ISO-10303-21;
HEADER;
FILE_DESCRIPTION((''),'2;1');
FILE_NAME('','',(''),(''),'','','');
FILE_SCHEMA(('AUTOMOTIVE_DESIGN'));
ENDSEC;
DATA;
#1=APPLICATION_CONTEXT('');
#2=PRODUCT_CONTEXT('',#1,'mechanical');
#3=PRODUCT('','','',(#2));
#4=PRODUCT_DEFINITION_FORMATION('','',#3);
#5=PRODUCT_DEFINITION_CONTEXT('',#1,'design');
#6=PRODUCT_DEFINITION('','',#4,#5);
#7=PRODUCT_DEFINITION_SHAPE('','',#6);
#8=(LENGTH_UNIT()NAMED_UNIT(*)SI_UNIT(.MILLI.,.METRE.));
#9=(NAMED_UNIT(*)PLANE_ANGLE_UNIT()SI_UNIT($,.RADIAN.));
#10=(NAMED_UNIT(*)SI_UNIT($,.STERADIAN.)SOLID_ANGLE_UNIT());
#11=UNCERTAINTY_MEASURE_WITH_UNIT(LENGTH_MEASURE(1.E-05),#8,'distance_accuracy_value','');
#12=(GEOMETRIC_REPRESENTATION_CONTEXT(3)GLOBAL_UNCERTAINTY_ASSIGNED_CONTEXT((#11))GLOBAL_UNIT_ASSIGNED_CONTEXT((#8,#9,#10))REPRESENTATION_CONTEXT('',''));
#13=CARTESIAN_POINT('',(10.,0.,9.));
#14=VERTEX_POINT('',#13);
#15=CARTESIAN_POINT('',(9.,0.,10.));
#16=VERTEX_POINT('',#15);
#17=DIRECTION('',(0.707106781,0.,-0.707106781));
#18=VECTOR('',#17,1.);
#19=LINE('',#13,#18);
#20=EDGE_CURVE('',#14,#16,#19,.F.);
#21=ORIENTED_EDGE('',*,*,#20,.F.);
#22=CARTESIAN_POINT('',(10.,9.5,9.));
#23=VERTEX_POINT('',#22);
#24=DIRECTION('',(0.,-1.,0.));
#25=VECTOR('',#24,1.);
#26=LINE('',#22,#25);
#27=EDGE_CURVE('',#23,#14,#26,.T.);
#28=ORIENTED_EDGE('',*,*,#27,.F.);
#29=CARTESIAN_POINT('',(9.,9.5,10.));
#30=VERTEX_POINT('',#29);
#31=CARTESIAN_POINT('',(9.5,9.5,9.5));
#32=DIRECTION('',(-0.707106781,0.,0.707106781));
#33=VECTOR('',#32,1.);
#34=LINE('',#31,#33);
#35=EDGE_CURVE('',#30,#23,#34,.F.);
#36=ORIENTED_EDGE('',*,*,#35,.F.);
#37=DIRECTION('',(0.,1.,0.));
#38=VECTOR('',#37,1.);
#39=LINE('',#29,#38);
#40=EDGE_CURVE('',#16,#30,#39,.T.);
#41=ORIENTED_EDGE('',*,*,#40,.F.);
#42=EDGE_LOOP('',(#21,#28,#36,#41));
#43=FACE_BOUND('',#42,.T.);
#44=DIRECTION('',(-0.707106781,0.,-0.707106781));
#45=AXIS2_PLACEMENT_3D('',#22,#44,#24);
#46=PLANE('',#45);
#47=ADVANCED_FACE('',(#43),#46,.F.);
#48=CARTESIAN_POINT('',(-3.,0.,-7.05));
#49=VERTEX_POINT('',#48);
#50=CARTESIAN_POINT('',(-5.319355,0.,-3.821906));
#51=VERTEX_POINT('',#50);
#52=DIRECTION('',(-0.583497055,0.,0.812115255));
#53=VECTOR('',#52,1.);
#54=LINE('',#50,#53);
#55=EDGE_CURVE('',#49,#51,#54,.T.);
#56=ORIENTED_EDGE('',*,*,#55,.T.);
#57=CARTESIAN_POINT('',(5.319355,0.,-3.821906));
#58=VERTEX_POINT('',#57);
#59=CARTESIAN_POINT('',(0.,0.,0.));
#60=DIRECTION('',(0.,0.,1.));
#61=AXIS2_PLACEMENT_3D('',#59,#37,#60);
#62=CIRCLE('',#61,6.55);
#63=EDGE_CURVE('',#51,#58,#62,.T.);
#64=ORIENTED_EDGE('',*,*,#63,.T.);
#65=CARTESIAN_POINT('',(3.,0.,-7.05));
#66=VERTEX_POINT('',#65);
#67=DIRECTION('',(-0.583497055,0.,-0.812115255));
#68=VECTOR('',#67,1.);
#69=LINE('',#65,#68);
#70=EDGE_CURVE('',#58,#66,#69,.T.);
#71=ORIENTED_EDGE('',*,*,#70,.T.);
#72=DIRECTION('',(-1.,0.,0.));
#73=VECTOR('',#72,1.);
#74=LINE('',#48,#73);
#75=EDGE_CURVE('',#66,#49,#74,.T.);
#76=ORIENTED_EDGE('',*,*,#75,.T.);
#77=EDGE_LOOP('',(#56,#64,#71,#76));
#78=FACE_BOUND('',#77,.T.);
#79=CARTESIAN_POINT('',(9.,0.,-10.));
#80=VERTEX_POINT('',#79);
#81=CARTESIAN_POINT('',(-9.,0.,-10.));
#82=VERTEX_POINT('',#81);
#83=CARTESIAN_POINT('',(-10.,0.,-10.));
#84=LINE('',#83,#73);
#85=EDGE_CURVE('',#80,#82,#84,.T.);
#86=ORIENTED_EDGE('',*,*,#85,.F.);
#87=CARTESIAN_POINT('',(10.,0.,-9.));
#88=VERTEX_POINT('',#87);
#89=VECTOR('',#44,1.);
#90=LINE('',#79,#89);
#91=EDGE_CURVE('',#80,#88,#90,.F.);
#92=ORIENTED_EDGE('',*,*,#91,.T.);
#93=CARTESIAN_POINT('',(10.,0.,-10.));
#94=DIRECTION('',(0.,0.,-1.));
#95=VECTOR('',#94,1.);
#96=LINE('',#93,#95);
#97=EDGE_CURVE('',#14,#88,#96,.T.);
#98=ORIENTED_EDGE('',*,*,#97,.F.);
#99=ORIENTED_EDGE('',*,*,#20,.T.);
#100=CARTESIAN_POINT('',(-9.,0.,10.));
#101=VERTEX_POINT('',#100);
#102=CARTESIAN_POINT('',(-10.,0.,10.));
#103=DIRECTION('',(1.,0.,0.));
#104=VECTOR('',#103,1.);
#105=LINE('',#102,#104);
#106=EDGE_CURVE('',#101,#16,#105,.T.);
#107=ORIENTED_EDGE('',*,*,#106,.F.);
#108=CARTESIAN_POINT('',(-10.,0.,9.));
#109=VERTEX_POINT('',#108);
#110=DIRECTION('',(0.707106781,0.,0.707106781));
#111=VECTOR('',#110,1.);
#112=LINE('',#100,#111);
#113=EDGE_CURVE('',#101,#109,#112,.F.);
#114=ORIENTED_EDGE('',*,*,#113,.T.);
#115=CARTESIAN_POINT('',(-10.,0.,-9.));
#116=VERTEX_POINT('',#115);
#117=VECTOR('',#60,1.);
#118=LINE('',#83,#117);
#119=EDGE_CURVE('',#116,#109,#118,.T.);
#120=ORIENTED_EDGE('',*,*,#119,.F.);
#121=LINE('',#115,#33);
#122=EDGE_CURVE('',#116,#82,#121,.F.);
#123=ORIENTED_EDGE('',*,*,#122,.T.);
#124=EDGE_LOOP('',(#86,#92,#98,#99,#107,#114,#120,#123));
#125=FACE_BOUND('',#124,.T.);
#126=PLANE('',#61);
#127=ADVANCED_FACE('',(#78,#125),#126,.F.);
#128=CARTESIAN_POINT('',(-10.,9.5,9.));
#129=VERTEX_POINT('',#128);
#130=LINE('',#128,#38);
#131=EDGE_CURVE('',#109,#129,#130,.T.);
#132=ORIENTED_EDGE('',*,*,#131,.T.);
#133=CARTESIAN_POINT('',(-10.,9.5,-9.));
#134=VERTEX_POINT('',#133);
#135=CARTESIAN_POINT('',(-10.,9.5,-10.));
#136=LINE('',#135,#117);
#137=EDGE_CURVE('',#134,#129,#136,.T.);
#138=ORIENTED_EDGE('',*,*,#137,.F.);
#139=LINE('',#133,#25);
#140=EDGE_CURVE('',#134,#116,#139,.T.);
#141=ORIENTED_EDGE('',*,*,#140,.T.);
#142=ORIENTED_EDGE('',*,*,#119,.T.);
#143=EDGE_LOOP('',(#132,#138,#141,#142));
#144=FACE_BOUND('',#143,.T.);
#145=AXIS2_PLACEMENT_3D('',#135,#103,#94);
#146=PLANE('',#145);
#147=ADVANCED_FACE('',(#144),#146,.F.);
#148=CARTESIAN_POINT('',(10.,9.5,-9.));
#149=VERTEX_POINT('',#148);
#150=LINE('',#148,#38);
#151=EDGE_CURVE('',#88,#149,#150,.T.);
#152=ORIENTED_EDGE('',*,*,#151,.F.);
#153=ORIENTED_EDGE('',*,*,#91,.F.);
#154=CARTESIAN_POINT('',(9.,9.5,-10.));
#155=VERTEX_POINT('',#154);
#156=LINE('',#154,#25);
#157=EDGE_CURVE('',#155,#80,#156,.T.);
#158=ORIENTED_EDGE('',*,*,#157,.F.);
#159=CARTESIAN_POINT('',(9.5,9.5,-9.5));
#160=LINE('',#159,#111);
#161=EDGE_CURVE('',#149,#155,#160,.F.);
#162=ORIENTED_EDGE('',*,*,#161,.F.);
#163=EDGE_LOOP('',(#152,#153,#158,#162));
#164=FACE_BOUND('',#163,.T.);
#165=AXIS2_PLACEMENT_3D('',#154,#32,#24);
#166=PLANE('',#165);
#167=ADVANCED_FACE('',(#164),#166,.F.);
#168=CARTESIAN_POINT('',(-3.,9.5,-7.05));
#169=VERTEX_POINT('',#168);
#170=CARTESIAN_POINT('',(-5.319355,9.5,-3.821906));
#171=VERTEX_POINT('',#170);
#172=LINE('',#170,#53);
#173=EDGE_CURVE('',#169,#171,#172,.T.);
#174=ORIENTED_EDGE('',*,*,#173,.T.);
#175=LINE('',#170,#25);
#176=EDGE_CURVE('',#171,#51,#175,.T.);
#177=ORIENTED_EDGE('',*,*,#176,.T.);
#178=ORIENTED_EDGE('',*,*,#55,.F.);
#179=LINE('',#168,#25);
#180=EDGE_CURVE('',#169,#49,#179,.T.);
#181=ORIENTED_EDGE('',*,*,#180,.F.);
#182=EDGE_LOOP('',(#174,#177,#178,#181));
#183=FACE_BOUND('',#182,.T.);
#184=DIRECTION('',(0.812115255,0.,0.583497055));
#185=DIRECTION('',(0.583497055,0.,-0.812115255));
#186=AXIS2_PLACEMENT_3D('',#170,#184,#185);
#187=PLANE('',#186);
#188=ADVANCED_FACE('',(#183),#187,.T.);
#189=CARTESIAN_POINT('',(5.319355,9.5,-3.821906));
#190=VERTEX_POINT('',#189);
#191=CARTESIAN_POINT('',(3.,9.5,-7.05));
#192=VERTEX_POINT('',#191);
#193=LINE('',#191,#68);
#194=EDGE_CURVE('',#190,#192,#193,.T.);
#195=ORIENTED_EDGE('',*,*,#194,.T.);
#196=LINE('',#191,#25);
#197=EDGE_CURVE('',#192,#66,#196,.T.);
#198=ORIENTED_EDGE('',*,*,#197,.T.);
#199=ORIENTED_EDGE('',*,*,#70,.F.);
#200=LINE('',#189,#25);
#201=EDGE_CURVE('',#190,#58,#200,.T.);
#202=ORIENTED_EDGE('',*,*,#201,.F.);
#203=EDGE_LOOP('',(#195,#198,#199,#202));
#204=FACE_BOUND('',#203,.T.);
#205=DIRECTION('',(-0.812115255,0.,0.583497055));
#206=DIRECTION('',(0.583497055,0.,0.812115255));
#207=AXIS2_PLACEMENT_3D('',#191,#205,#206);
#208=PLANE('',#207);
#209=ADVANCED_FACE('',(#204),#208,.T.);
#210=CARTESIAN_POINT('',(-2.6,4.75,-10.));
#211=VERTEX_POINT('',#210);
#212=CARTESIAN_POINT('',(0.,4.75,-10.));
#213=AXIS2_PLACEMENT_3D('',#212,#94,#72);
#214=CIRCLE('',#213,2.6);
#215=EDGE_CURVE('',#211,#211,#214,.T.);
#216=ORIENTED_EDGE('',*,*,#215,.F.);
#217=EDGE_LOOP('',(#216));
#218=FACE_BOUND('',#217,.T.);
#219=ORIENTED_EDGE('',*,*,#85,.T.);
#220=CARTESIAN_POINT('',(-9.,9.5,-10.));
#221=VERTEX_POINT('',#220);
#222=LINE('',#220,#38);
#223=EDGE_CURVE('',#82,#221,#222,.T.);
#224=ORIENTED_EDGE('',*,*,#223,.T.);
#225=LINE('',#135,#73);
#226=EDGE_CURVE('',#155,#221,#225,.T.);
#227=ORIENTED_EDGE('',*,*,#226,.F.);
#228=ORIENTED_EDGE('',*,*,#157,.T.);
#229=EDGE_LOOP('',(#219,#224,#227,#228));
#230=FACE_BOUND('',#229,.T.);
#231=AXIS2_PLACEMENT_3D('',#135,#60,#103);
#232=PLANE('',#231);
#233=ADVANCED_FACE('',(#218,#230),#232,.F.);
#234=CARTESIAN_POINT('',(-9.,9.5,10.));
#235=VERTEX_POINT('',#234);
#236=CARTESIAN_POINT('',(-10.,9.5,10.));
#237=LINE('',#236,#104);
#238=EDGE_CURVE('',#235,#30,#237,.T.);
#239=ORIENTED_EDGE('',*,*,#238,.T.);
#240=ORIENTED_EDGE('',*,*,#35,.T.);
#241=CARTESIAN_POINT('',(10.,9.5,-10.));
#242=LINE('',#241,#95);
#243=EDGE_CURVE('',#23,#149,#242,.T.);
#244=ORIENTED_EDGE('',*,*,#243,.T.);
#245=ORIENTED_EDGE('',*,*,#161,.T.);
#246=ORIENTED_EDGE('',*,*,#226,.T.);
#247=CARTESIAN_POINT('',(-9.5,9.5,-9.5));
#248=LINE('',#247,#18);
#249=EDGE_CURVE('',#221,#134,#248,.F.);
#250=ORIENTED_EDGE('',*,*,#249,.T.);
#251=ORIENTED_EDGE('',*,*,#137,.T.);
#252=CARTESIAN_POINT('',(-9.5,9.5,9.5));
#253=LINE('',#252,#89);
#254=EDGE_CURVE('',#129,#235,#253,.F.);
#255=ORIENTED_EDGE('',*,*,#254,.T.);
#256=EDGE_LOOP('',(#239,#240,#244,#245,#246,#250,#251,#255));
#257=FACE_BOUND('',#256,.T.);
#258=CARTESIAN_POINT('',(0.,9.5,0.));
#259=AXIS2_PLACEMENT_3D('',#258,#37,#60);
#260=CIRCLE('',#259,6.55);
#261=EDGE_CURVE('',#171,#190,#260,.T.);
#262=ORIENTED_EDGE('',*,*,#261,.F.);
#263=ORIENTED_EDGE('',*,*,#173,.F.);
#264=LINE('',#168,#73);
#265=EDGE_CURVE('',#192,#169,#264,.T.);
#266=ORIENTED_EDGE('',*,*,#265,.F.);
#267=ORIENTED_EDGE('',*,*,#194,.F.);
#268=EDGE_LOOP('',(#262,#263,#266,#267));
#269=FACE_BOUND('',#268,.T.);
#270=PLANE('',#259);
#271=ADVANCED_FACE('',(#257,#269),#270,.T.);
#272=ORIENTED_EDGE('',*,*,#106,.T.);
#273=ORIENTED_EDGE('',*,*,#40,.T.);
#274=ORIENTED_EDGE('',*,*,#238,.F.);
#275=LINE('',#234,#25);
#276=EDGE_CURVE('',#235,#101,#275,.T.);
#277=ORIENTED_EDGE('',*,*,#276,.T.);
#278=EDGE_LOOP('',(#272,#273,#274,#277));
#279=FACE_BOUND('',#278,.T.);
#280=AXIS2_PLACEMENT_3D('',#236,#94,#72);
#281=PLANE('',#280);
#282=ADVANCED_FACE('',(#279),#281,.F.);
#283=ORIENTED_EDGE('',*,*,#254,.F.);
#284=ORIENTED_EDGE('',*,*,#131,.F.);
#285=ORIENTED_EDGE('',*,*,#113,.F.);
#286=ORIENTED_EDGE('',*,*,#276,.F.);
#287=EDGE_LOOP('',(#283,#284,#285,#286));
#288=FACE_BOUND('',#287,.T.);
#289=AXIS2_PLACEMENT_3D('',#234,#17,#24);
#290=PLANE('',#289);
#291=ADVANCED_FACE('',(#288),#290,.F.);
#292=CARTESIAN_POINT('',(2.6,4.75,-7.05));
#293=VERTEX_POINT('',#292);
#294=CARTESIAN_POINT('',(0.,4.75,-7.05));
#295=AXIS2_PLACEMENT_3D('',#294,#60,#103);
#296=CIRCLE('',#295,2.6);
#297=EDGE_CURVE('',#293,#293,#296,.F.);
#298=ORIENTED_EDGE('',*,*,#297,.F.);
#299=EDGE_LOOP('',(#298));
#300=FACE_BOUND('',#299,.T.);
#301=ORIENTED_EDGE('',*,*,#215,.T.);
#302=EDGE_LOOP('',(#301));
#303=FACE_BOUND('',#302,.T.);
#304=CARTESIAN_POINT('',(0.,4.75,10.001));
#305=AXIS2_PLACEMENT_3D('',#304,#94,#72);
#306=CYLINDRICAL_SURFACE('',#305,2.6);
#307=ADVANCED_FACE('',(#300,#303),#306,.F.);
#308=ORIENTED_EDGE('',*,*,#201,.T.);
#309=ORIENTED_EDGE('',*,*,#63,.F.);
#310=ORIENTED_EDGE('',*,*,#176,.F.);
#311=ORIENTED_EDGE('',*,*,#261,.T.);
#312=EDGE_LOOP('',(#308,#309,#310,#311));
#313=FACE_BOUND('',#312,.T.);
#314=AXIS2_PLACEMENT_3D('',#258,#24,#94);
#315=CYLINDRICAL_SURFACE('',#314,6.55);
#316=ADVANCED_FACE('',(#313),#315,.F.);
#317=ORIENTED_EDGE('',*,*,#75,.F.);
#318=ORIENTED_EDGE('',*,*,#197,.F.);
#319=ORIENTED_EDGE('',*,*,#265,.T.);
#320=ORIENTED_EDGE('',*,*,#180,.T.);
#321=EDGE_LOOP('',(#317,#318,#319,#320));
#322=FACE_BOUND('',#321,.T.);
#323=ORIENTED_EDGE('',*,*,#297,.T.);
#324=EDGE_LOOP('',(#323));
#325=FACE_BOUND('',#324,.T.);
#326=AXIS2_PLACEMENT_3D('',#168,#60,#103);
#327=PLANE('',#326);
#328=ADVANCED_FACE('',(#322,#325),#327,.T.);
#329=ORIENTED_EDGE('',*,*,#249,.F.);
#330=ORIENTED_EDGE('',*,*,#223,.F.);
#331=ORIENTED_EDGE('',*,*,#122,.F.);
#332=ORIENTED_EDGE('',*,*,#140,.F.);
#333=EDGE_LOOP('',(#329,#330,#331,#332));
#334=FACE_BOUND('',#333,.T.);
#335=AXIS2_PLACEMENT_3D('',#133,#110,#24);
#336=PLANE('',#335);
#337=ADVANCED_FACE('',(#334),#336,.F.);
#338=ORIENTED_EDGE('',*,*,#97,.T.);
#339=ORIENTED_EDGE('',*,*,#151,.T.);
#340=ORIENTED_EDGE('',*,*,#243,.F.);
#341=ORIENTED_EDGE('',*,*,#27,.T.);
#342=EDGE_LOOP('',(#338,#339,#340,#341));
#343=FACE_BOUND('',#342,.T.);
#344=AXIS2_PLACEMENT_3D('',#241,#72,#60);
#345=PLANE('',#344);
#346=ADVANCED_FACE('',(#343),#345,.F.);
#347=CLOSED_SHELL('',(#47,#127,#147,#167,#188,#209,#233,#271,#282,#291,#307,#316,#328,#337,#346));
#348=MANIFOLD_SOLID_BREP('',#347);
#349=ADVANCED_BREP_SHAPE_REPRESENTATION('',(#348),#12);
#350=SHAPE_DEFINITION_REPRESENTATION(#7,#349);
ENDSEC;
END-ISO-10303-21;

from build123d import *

# Parameters (mm, degrees)
SKETCH1_W           = 20
SKETCH1_H           = 20
BOSS_EXTRUDE1_DEPTH = 9.5
CUT_EXTRUDE1_REACH  = 22
SKETCH3_R           = 2.6
CHAMFER1_SIZE       = 1


with BuildPart() as part:
    # Sketch1 → Boss-Extrude1 (new body)
    with BuildSketch(Plane(origin=(0, 0, 0), x_dir=(1, 0, 0), z_dir=(0, 1, 0))):
        Rectangle(SKETCH1_W, SKETCH1_H)
        with BuildLine():
            Line((-5.319354919, 3.821905708), (-3, 7.05))
            Line((-3, 7.05), (3, 7.05))
            Line((3, 7.05), (5.319354919, 3.821905708))
            ThreePointArc((5.319354919, 3.821905708), (0, -6.55), (-5.319354919, 3.821905708))
        make_face(mode=Mode.SUBTRACT)
    extrude(amount=BOSS_EXTRUDE1_DEPTH)

    # Sketch3 → Cut-Extrude1 (cut, up to next)
    with BuildSketch(Plane(origin=(0, 0, -10), x_dir=(-1, 0, 0), z_dir=(0, 0, -1)), mode=Mode.PRIVATE) as cut_extrude1_sk1:
        with Locations((0, 4.75)):
            Circle(SKETCH3_R)
    cut_extrude1_tool1 = extrude(cut_extrude1_sk1.sketch, amount=-CUT_EXTRUDE1_REACH, mode=Mode.PRIVATE) & part.part
    add(cut_extrude1_tool1.solids().sort_by_distance((0, 4.75, -10))[0], mode=Mode.SUBTRACT)

    # Chamfer1
    chamfer1_edges = [part.edges().sort_by_distance(p)[0] for p in [
        (-10, 4.75, -10),
        (10, 4.75, -10),
        (10, 4.75, 10),
        (-10, 4.75, 10),
    ]]
    chamfer(chamfer1_edges, length=CHAMFER1_SIZE)


solid = part.part
